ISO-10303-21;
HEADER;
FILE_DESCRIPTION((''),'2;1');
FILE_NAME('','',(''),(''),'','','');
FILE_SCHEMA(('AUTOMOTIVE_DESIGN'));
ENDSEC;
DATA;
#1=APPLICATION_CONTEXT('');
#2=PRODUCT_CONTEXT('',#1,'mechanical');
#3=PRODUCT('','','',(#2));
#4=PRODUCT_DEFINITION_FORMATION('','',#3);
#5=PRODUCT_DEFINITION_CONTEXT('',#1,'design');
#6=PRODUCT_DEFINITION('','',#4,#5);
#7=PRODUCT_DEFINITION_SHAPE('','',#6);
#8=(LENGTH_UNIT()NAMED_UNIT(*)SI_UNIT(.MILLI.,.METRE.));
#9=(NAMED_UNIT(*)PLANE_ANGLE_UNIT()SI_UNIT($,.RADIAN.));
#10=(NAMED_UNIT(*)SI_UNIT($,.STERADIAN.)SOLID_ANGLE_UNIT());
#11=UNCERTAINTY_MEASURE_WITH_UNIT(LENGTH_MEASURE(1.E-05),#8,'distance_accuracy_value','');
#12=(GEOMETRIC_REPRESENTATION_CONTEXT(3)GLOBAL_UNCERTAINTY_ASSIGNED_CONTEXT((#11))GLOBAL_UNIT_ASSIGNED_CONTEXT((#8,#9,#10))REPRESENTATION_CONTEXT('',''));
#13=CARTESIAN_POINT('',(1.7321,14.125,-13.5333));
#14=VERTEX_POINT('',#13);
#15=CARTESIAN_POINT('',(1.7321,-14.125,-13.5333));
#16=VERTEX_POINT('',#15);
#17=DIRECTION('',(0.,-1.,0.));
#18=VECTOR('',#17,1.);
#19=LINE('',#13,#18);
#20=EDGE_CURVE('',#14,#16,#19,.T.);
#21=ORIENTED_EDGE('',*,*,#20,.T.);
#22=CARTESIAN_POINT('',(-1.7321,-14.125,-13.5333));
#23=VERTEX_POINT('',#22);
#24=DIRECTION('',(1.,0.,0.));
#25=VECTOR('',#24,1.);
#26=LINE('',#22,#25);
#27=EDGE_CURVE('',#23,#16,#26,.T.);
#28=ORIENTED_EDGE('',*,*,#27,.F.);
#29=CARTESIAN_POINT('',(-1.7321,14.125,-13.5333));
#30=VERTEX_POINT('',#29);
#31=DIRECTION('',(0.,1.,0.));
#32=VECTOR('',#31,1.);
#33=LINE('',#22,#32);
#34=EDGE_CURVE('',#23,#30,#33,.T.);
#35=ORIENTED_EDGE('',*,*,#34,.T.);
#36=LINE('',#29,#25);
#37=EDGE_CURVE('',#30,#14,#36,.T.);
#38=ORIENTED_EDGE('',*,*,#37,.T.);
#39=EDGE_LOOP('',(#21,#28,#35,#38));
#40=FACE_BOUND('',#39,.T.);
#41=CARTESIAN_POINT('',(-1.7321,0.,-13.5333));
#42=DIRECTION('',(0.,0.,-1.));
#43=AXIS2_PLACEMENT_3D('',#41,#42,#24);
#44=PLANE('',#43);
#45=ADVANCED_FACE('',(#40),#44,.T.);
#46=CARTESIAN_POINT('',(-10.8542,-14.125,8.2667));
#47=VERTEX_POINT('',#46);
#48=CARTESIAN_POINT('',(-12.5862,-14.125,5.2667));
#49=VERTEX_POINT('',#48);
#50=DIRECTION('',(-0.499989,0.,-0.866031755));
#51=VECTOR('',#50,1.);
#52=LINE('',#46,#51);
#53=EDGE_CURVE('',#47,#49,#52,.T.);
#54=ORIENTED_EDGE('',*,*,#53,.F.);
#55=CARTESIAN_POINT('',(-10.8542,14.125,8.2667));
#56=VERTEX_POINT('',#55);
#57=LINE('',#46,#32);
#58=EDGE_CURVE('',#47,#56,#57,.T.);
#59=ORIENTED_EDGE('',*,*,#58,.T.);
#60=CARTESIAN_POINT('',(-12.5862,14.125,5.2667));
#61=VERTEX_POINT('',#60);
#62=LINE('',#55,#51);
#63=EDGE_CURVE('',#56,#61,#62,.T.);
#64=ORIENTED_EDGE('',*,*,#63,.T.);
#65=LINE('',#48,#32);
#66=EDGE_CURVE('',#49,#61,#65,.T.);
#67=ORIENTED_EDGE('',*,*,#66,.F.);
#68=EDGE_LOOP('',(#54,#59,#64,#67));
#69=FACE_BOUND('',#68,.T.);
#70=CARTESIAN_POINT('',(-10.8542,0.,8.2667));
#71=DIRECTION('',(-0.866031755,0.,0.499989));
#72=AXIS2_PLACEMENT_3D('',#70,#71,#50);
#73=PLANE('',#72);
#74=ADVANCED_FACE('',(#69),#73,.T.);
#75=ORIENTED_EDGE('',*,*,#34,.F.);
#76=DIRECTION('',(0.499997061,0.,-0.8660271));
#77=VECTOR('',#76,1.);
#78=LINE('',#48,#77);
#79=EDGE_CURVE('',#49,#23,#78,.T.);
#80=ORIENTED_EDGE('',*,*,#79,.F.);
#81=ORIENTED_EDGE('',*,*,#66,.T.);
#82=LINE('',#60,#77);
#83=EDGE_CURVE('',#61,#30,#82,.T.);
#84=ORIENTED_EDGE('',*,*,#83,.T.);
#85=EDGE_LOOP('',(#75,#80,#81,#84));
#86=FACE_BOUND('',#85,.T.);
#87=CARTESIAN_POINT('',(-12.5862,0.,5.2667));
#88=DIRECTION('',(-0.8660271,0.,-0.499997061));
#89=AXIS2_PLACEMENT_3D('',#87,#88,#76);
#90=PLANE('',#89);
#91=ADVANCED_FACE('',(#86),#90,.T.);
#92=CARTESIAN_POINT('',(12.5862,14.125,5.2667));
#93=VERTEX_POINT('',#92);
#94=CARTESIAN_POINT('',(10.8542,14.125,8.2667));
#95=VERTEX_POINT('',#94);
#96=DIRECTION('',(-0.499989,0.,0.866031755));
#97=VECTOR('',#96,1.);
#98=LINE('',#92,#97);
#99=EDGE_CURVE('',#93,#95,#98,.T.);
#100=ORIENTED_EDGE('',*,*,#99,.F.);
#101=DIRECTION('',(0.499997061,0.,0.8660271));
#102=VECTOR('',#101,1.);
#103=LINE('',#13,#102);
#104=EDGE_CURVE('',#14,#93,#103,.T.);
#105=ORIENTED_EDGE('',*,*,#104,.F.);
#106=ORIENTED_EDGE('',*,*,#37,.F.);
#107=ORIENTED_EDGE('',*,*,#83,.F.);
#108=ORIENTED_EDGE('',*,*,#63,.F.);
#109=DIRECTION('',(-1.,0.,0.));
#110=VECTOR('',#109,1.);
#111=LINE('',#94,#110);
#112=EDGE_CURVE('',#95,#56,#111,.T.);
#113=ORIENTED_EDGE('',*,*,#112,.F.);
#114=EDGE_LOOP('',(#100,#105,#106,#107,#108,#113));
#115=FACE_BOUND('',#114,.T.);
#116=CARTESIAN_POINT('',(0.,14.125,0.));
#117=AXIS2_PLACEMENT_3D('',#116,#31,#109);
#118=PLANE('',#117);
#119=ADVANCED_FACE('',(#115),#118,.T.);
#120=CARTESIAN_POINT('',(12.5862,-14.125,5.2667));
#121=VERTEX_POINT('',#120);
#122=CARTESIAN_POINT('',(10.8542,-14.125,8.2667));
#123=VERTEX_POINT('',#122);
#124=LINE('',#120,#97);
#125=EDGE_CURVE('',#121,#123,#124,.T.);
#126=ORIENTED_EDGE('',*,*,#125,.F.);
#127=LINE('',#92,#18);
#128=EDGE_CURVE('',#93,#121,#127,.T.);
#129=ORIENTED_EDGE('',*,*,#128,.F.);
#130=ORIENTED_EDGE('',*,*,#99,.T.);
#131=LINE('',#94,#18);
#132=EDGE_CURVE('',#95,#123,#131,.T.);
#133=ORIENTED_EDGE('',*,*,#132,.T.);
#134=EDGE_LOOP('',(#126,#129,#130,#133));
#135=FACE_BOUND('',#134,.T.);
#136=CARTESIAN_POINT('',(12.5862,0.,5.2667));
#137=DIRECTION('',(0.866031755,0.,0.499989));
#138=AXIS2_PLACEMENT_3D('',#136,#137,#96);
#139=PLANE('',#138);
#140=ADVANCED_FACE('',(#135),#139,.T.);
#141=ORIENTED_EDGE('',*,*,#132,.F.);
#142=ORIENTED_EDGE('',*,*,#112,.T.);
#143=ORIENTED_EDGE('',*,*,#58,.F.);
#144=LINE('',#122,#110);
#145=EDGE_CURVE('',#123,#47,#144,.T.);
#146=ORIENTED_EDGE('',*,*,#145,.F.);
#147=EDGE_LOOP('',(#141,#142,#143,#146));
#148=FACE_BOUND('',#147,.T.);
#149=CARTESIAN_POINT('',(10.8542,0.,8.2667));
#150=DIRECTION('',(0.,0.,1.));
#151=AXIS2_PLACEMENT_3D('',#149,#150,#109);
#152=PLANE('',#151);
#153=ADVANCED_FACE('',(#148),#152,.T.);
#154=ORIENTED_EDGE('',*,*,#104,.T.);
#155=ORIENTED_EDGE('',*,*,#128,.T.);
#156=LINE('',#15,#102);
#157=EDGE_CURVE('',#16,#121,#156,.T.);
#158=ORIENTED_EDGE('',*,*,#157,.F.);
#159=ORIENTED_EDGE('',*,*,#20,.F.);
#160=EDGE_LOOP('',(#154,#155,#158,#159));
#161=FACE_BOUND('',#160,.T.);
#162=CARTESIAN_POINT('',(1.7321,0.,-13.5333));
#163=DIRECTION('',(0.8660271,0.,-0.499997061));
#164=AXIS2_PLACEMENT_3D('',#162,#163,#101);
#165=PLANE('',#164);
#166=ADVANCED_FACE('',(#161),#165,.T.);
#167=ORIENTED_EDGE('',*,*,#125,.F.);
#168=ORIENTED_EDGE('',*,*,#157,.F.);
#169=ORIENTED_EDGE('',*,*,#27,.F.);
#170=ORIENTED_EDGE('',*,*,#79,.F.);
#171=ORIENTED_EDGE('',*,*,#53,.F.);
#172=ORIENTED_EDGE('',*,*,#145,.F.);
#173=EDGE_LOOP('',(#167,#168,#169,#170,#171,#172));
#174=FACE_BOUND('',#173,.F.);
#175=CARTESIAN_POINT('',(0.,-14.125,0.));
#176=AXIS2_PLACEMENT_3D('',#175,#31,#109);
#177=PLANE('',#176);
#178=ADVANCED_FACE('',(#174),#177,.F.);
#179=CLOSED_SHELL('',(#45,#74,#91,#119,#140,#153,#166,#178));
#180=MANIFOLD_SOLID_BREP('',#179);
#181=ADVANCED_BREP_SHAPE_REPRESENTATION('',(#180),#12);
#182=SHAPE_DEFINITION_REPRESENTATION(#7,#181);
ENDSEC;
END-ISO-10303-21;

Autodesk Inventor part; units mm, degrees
ref_plane "YZ Plane" through (0, 0, 0) normal (1, 0, 0) x (0, 1, 0)
ref_plane "XZ Plane" through (0, 0, 0) normal (0, 1, 0) x (-1, 0, 0)
ref_plane "XY Plane" through (0, 0, 0) normal (0, 0, 1) x (1, 0, 0)
sketch "Sketch1" plane through (0, 0, 0) normal (0, 1, 0) x (-1, 0, 0)
  line L0 (1.7321, -13.5333) -> (-1.7321, -13.5333)
  line L1 (-1.7321, -13.5333) -> (-12.5862, 5.2667)
  line L2 (-12.5862, 5.2667) -> (-10.8542, 8.2667)
  line L3 (-10.8542, 8.2667) -> (10.8542, 8.2667)
  line L4 (10.8542, 8.2667) -> (12.5862, 5.2667)
  line L5 (12.5862, 5.2667) -> (1.7321, -13.5333)
  circle A0 centre (0, 0) radius 8.2667 construction
  line L6 (-1.7321, -13.5333) -> (-3.4641, -16.5333) construction
  line L7 (-3.4641, -16.5333) -> (-25.1725, -16.5333) construction
  line L8 (-25.1725, -16.5333) -> (-26.9045, -13.5333) construction
  line L9 (-26.9045, -13.5333) -> (-16.0503, 5.2667) construction
  line L10 (-16.0503, 5.2667) -> (-12.5862, 5.2667) construction
  line L11 (-28.6366, -16.5333) -> (0, -16.5333) construction
  dimension "d0" = 21.8
  dimension "d1" = 3.4641
  dimension "d4" = 24.8
extrude "Extrusion1" add sketch "Sketch1" along normal mid plane 28.25
equation "\"d0\" = TriangleTrimmed"
equation "\"d4\" = TriangleHeight"
equation "\"TriangleHeight\" = 24.8"
equation "\"TriangleTrimmed\" = 21.8"
properties part number "CommandToken_All" material "Paper"
